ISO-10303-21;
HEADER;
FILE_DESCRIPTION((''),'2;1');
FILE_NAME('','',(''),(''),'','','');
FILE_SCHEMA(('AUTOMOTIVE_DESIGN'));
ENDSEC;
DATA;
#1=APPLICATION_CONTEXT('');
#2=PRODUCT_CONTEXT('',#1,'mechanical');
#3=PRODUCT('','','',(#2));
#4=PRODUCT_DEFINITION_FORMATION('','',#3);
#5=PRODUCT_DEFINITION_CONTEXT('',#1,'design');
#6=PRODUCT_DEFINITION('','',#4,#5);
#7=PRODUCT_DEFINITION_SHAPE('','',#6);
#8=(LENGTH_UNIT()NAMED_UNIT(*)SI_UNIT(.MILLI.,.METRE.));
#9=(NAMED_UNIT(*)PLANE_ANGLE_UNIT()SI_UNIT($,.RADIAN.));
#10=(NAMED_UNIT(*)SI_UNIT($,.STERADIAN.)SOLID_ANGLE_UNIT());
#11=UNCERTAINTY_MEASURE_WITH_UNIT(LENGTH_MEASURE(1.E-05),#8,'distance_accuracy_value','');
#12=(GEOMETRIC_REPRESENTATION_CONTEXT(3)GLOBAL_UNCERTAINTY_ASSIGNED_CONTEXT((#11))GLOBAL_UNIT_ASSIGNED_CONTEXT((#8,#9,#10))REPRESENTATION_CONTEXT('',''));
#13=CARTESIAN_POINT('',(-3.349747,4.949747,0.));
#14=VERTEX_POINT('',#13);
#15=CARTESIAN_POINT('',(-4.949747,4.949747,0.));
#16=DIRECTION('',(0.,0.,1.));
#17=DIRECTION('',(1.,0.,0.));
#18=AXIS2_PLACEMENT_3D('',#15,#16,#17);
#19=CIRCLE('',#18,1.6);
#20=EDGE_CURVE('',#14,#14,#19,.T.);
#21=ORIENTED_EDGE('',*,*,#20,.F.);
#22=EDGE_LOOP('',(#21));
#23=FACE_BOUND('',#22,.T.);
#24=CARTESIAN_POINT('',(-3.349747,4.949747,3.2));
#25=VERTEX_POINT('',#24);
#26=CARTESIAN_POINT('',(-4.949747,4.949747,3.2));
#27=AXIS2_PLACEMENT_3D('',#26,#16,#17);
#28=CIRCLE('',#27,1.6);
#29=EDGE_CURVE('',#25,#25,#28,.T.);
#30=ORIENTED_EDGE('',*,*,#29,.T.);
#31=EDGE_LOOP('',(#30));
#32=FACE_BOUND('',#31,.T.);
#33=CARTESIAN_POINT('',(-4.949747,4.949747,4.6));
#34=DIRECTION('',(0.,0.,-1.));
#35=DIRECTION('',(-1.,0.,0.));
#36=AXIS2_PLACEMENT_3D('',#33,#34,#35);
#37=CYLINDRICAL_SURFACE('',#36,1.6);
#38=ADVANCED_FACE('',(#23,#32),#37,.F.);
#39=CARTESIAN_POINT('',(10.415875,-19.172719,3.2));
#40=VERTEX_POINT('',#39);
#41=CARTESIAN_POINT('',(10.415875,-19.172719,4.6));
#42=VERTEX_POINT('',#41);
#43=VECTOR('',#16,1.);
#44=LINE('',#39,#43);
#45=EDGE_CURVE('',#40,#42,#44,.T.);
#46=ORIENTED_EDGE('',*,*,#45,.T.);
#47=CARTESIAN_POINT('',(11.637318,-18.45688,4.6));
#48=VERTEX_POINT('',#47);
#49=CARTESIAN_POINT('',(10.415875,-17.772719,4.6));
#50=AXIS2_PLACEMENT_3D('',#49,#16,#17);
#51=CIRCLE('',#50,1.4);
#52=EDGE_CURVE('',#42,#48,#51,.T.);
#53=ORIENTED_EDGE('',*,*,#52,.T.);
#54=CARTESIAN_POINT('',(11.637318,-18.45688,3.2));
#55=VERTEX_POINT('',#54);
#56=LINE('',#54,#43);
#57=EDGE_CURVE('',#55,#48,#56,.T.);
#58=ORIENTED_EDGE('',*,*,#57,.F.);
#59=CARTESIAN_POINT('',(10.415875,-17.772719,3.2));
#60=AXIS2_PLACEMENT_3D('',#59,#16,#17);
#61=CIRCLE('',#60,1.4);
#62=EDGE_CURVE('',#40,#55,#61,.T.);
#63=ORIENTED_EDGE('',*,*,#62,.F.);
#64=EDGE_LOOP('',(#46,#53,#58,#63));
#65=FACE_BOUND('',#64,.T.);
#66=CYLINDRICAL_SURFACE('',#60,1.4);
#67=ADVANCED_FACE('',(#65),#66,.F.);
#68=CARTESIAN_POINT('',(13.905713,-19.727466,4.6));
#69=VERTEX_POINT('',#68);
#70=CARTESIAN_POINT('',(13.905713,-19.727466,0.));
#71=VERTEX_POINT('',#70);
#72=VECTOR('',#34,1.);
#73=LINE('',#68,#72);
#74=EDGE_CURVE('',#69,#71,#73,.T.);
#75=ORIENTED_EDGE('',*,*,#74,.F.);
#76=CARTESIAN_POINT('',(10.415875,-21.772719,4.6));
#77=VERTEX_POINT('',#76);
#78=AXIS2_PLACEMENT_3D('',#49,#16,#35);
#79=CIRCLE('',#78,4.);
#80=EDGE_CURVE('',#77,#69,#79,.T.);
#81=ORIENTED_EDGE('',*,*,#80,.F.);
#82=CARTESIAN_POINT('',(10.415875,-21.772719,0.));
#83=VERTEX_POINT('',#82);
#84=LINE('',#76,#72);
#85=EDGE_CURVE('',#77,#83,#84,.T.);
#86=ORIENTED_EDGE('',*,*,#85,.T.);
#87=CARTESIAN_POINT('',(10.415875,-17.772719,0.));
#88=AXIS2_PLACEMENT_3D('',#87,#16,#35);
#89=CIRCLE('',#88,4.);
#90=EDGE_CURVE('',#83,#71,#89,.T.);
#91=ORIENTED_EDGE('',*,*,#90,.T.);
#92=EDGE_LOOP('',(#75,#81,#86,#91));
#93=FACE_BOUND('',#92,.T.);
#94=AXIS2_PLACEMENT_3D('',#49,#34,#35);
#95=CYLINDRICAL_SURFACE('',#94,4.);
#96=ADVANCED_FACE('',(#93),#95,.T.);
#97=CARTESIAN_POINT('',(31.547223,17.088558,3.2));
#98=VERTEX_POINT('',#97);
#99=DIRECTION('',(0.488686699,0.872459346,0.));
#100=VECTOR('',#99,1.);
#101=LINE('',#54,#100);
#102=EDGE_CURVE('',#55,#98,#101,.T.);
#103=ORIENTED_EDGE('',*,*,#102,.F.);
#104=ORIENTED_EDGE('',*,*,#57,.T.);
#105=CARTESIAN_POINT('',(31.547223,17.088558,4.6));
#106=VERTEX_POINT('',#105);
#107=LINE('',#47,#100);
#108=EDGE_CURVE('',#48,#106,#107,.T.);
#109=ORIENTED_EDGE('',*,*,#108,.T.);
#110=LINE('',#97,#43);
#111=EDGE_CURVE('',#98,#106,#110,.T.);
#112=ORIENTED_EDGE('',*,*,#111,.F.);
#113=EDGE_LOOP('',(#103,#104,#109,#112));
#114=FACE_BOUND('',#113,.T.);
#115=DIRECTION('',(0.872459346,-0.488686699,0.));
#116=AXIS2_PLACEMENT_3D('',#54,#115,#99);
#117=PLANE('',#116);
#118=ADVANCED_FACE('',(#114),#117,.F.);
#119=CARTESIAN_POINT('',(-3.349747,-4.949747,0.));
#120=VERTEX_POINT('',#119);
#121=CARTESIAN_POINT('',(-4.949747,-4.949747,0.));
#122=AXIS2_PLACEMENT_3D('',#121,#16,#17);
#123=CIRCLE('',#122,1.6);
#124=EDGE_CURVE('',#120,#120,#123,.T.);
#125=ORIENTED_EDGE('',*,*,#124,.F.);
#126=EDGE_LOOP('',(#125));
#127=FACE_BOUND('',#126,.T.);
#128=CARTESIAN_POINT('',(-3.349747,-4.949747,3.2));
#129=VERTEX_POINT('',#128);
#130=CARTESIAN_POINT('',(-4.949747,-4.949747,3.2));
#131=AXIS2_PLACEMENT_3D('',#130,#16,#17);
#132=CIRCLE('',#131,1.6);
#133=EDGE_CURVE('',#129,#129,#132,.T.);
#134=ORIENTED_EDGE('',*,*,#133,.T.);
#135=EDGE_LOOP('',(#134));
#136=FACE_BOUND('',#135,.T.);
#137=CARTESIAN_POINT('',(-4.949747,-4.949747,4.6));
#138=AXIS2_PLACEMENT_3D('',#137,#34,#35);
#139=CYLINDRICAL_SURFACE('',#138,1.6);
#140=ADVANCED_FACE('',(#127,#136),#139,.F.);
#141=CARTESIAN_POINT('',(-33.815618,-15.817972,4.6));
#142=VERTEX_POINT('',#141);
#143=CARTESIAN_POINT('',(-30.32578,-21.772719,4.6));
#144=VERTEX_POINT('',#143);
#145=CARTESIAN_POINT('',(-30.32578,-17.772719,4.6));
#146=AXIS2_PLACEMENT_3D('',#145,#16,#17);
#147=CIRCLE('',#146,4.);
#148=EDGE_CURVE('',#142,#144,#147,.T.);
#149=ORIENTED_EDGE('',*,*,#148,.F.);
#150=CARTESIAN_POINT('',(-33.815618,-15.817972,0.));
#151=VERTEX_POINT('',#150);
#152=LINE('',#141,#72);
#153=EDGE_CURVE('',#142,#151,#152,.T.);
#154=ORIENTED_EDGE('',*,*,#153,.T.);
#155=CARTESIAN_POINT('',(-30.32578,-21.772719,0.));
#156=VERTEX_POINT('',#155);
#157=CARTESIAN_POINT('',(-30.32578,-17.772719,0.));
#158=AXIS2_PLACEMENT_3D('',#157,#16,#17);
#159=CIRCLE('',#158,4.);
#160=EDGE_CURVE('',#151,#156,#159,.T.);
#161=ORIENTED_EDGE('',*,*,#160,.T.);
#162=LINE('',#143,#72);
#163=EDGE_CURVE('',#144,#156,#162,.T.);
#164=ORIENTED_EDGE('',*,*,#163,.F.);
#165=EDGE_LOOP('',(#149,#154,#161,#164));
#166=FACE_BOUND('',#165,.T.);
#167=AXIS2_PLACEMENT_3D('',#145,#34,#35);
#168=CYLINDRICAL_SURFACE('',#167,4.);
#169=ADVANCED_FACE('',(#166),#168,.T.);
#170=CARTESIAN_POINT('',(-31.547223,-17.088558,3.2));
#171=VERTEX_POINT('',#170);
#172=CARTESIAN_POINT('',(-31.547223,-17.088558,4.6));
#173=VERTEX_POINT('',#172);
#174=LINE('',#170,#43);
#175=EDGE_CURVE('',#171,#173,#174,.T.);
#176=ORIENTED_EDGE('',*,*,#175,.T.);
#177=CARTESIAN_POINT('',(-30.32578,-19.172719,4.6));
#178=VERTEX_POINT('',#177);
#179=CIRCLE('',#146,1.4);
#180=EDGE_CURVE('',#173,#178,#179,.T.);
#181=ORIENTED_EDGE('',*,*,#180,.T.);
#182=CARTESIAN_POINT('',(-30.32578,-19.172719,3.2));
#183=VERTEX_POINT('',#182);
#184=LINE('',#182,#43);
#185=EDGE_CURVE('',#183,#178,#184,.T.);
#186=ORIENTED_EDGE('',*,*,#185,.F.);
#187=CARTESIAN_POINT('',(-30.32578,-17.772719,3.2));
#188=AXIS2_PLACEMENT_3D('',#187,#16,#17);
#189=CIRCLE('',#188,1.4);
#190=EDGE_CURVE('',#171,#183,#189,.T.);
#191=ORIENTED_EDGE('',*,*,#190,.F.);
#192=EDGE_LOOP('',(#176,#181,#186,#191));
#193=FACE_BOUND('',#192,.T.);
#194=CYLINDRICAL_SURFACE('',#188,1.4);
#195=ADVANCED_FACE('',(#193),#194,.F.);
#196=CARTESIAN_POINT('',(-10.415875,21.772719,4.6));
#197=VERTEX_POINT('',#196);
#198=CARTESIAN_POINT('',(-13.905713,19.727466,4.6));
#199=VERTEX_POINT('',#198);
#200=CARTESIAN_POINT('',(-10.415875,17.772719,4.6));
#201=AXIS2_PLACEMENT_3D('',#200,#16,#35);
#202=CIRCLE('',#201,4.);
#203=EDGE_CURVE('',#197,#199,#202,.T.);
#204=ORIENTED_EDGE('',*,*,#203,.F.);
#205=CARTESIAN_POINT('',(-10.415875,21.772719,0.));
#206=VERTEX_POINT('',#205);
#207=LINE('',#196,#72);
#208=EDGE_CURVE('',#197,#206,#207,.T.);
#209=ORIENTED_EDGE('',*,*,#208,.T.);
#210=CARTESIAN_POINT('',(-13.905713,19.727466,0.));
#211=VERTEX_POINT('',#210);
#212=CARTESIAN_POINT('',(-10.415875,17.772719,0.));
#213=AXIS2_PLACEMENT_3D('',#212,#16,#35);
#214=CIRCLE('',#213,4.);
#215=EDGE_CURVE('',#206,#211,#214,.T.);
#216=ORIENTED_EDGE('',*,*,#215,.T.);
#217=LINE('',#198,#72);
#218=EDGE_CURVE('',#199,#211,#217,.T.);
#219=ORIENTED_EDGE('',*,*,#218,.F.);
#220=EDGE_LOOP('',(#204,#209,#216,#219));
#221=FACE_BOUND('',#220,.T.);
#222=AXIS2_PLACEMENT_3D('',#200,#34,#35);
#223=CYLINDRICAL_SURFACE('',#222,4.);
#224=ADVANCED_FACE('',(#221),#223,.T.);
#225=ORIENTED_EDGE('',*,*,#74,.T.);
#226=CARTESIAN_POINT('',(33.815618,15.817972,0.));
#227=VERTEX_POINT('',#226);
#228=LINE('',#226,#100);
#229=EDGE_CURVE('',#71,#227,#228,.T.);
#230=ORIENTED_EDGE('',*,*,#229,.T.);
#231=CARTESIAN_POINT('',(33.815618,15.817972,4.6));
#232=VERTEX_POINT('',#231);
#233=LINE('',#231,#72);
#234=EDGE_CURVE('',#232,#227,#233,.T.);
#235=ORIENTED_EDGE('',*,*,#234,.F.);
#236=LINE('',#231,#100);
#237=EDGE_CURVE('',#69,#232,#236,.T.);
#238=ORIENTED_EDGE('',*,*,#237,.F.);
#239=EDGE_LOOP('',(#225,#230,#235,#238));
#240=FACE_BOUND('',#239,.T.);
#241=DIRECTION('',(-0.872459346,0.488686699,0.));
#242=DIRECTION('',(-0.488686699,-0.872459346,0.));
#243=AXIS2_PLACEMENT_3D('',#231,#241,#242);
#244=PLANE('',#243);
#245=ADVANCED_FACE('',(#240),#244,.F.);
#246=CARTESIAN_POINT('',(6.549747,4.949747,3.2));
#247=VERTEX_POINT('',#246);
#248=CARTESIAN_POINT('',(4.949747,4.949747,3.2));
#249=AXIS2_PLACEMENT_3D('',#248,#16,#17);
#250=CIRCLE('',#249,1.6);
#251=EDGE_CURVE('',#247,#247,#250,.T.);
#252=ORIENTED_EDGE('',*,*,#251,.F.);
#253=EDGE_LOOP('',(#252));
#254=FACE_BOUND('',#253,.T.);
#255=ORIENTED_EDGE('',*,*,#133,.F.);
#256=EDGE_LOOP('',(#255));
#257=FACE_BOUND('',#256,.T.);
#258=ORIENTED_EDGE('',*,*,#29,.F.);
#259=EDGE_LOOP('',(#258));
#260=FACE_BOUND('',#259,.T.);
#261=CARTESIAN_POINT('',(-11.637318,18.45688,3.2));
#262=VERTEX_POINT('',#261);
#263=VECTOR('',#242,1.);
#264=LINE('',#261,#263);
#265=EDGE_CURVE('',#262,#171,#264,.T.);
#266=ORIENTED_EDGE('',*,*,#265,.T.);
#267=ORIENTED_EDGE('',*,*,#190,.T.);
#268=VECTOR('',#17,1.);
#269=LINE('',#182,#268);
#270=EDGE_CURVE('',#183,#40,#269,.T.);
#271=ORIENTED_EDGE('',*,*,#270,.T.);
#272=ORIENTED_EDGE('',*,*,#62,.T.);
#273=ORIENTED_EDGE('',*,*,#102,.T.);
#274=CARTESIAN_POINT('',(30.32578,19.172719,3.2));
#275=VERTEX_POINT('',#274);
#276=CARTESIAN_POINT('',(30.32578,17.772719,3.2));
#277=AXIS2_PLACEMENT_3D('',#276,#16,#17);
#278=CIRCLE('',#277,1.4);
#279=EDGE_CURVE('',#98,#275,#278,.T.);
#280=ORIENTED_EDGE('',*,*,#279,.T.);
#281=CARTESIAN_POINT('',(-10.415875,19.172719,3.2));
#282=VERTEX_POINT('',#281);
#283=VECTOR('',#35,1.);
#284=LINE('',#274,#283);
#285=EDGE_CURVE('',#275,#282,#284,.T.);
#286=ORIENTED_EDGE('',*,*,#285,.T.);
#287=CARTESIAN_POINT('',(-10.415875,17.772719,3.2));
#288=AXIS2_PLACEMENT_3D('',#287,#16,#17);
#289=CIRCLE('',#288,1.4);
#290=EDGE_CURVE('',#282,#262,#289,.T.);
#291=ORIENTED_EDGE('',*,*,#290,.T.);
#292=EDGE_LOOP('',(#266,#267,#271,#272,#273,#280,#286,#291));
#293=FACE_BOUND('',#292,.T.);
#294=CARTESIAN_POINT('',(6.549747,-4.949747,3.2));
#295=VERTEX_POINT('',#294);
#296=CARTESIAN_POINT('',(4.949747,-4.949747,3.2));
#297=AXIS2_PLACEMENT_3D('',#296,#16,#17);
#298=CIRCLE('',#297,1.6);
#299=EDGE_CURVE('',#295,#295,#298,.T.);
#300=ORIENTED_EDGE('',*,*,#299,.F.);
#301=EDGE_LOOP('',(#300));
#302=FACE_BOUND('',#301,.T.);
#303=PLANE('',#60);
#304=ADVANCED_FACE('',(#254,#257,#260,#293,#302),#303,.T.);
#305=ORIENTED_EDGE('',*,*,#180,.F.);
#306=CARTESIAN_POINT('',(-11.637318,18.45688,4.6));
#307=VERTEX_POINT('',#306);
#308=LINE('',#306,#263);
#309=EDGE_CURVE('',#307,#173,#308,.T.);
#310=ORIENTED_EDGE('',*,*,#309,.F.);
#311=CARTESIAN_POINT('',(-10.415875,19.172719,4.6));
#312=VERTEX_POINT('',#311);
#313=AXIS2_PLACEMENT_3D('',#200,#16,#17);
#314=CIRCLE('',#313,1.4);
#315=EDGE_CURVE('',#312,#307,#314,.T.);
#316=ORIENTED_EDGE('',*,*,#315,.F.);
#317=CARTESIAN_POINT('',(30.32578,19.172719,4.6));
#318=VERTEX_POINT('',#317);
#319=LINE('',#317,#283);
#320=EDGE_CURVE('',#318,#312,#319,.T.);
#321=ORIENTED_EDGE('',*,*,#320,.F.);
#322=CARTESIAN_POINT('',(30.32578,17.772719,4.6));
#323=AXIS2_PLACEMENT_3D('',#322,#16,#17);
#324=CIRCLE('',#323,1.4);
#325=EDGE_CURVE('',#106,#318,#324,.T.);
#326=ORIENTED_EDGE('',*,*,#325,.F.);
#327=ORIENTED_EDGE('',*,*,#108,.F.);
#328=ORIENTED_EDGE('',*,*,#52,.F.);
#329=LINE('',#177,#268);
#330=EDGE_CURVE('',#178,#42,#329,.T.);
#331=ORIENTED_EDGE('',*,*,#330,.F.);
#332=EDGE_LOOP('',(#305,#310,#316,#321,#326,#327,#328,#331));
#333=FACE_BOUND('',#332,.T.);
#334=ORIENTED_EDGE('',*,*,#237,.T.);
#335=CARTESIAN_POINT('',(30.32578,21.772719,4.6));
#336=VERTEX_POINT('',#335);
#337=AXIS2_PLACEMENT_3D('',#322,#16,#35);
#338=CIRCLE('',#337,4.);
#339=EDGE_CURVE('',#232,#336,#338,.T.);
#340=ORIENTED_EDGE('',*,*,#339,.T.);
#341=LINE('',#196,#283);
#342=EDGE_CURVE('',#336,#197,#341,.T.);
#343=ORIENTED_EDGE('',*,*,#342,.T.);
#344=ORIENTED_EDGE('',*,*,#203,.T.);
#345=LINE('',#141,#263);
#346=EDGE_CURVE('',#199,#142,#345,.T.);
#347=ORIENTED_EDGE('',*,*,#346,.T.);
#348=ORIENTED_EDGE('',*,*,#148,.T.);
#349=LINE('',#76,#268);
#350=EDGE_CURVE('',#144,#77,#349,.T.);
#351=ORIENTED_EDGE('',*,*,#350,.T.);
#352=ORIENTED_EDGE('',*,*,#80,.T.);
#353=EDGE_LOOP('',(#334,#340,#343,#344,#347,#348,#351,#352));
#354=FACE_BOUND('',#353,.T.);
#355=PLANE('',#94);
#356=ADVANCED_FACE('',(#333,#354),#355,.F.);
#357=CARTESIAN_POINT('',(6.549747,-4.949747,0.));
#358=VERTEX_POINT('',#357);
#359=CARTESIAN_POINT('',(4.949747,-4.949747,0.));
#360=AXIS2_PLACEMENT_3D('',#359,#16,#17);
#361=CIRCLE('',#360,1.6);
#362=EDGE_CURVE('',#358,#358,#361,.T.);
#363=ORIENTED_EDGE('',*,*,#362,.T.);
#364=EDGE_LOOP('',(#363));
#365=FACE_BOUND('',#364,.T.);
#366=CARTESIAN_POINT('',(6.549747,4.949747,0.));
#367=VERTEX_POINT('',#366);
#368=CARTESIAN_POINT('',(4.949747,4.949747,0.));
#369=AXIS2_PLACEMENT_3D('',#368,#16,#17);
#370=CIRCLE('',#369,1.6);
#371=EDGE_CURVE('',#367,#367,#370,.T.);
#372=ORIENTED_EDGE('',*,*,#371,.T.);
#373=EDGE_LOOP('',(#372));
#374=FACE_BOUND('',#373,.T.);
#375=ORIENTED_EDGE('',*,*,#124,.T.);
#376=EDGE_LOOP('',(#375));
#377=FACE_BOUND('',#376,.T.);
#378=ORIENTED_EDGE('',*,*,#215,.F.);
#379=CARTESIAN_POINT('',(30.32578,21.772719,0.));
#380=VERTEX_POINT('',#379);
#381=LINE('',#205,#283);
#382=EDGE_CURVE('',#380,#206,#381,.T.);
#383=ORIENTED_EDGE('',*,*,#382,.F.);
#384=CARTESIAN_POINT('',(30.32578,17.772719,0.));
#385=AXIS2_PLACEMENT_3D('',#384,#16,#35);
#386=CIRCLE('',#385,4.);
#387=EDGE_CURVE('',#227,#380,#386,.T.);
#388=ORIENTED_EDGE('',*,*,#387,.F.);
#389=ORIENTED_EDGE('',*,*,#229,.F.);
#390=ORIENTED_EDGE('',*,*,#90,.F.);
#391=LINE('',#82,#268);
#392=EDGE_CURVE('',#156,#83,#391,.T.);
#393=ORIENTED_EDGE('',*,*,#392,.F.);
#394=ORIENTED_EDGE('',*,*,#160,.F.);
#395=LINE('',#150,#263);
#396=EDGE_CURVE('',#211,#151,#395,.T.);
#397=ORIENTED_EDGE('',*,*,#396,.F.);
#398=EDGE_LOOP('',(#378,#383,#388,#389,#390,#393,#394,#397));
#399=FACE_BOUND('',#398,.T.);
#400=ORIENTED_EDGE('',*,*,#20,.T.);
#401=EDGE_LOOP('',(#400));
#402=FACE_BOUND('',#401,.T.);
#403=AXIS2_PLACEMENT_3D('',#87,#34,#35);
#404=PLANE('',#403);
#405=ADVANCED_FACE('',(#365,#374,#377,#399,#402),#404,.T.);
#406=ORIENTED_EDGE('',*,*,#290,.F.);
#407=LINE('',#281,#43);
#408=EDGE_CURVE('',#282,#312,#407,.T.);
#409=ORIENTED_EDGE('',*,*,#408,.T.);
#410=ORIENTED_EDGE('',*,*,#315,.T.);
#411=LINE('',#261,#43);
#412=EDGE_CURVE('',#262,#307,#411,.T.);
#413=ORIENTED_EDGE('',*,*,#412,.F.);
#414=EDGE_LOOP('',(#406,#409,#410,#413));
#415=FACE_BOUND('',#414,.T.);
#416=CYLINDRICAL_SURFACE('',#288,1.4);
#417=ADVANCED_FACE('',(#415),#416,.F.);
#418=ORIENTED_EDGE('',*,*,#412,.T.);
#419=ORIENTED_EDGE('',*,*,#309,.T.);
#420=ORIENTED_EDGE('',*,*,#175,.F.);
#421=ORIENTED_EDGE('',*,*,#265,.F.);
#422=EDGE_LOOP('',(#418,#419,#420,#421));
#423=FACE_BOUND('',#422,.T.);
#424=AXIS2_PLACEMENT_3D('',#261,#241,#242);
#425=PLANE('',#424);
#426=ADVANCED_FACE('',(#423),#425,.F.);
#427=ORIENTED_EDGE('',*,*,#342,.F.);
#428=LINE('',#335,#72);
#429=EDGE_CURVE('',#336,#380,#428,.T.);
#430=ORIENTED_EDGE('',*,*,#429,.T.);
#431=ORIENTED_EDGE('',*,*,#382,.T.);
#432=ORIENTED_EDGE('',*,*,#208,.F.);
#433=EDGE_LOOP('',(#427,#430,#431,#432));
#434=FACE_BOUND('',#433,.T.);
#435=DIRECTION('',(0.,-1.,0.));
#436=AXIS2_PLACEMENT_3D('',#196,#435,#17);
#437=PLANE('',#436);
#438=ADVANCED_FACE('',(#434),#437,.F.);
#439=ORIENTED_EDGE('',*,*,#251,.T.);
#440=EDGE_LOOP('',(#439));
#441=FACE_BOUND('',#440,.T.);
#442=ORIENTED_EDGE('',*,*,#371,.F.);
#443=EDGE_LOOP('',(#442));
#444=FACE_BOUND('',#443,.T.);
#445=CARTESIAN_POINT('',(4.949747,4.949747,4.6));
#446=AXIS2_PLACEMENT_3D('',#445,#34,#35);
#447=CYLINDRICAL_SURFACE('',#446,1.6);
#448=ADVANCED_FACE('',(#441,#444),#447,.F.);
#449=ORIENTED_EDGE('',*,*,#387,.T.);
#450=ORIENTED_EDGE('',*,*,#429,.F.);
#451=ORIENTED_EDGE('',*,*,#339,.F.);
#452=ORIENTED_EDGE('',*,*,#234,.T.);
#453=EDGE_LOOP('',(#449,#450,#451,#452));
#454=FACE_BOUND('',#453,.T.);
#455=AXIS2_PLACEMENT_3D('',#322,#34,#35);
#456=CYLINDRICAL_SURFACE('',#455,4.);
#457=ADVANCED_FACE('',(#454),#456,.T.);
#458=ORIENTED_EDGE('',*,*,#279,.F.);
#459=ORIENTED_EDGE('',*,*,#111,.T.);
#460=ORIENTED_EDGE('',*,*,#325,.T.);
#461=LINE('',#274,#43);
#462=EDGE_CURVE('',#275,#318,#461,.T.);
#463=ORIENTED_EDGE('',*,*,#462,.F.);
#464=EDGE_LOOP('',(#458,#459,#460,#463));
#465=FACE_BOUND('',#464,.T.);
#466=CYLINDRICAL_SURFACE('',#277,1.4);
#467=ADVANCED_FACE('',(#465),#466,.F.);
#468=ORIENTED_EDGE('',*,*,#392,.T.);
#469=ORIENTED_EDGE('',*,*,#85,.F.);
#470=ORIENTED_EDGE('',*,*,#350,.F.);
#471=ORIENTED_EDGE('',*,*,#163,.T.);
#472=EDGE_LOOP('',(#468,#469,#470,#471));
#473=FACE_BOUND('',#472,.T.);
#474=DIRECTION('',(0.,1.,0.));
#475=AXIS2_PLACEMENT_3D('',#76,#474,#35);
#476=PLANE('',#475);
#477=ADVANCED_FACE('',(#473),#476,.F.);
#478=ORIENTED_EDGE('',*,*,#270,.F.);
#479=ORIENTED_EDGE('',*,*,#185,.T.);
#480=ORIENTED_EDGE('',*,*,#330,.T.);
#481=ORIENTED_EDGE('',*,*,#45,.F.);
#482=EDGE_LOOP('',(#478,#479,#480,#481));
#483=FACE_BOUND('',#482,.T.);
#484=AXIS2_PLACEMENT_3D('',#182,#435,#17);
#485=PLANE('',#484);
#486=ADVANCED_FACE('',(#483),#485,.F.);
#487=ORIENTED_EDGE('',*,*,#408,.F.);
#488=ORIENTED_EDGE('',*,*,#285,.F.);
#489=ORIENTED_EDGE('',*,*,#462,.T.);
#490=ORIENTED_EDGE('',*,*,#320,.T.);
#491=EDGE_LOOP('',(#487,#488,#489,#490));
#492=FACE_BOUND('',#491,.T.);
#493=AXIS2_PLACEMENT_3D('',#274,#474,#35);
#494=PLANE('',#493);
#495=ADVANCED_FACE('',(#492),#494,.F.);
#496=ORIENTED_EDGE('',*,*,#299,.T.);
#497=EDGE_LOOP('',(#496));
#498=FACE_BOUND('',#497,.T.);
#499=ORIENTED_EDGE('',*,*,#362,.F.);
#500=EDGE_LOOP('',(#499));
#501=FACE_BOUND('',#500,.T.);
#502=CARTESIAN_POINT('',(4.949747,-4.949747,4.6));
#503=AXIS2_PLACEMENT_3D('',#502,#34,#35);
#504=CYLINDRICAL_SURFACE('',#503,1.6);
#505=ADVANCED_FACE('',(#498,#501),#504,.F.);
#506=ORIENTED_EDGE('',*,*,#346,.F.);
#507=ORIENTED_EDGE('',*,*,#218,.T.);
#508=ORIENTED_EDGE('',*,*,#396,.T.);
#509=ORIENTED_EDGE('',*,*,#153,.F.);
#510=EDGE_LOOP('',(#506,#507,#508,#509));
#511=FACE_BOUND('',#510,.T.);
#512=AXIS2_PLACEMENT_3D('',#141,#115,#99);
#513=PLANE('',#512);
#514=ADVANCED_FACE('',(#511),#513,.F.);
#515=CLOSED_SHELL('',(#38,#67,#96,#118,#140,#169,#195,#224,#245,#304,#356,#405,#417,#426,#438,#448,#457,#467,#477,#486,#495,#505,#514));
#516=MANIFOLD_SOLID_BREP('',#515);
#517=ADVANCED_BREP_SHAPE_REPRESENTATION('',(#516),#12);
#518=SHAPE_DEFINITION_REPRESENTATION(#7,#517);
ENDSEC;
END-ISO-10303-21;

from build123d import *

# Parameters (mm, degrees)
SKETCH1_R           = 1.6
BOSS_EXTRUDE1_DEPTH = 4.6
CUT_EXTRUDE4_DEPTH  = 1.4


with BuildPart() as part:
    # Sketch1 → Boss-Extrude1 (new body)
    with BuildSketch(Plane.XY):
        with BuildLine():
            Line((-33.815617771, -15.817972293), (-13.905712582, 19.727465886))
            ThreePointArc((-13.905712582, 19.727465886), (-12.438375238, 21.223732505), (-10.415875199, 21.77271909))
            Line((-10.415875199, 21.77271909), (30.325780388, 21.77271909))
            ThreePointArc((30.325780388, 21.77271909), (33.776793804, 19.795219128), (33.815617771, 15.817972293))
            Line((33.815617771, 15.817972293), (13.905712582, -19.727465886))
            ThreePointArc((13.905712582, -19.727465886), (12.438375238, -21.223732505), (10.415875199, -21.77271909))
            Line((10.415875199, -21.77271909), (-30.325780388, -21.77271909))
            ThreePointArc((-30.325780388, -21.77271909), (-33.776793804, -19.795219128), (-33.815617771, -15.817972293))
        make_face()
        with Locations((-4.949747468, 4.949747468)):
            Circle(SKETCH1_R, mode=Mode.SUBTRACT)
        with Locations((4.949747468, 4.949747468)):
            Circle(SKETCH1_R, mode=Mode.SUBTRACT)
        with Locations((4.949747468, -4.949747468)):
            Circle(SKETCH1_R, mode=Mode.SUBTRACT)
        with Locations((-4.949747468, -4.949747468)):
            Circle(SKETCH1_R, mode=Mode.SUBTRACT)
    extrude(amount=BOSS_EXTRUDE1_DEPTH)

    # Sketch5 → Cut-Extrude4 (cut)
    with BuildSketch(Plane.XY.offset(4.6)):
        with BuildLine():
            Line((11.637318283, -18.456880469), (31.547223472, 17.088557711))
            ThreePointArc((31.547223472, 17.088557711), (31.533635084, 18.480594103), (30.325780388, 19.17271909))
            Line((30.325780388, 19.17271909), (-10.415875199, 19.17271909))
            ThreePointArc((-10.415875199, 19.17271909), (-11.123750213, 18.980573785), (-11.637318283, 18.456880469))
            Line((-11.637318283, 18.456880469), (-31.547223472, -17.088557711))
            ThreePointArc((-31.547223472, -17.088557711), (-31.533635084, -18.480594103), (-30.325780388, -19.17271909))
            Line((-30.325780388, -19.17271909), (10.415875199, -19.17271909))
            ThreePointArc((10.415875199, -19.17271909), (11.123750213, -18.980573785), (11.637318283, -18.456880469))
        make_face()
    extrude(amount=-CUT_EXTRUDE4_DEPTH, mode=Mode.SUBTRACT)


solid = part.part
